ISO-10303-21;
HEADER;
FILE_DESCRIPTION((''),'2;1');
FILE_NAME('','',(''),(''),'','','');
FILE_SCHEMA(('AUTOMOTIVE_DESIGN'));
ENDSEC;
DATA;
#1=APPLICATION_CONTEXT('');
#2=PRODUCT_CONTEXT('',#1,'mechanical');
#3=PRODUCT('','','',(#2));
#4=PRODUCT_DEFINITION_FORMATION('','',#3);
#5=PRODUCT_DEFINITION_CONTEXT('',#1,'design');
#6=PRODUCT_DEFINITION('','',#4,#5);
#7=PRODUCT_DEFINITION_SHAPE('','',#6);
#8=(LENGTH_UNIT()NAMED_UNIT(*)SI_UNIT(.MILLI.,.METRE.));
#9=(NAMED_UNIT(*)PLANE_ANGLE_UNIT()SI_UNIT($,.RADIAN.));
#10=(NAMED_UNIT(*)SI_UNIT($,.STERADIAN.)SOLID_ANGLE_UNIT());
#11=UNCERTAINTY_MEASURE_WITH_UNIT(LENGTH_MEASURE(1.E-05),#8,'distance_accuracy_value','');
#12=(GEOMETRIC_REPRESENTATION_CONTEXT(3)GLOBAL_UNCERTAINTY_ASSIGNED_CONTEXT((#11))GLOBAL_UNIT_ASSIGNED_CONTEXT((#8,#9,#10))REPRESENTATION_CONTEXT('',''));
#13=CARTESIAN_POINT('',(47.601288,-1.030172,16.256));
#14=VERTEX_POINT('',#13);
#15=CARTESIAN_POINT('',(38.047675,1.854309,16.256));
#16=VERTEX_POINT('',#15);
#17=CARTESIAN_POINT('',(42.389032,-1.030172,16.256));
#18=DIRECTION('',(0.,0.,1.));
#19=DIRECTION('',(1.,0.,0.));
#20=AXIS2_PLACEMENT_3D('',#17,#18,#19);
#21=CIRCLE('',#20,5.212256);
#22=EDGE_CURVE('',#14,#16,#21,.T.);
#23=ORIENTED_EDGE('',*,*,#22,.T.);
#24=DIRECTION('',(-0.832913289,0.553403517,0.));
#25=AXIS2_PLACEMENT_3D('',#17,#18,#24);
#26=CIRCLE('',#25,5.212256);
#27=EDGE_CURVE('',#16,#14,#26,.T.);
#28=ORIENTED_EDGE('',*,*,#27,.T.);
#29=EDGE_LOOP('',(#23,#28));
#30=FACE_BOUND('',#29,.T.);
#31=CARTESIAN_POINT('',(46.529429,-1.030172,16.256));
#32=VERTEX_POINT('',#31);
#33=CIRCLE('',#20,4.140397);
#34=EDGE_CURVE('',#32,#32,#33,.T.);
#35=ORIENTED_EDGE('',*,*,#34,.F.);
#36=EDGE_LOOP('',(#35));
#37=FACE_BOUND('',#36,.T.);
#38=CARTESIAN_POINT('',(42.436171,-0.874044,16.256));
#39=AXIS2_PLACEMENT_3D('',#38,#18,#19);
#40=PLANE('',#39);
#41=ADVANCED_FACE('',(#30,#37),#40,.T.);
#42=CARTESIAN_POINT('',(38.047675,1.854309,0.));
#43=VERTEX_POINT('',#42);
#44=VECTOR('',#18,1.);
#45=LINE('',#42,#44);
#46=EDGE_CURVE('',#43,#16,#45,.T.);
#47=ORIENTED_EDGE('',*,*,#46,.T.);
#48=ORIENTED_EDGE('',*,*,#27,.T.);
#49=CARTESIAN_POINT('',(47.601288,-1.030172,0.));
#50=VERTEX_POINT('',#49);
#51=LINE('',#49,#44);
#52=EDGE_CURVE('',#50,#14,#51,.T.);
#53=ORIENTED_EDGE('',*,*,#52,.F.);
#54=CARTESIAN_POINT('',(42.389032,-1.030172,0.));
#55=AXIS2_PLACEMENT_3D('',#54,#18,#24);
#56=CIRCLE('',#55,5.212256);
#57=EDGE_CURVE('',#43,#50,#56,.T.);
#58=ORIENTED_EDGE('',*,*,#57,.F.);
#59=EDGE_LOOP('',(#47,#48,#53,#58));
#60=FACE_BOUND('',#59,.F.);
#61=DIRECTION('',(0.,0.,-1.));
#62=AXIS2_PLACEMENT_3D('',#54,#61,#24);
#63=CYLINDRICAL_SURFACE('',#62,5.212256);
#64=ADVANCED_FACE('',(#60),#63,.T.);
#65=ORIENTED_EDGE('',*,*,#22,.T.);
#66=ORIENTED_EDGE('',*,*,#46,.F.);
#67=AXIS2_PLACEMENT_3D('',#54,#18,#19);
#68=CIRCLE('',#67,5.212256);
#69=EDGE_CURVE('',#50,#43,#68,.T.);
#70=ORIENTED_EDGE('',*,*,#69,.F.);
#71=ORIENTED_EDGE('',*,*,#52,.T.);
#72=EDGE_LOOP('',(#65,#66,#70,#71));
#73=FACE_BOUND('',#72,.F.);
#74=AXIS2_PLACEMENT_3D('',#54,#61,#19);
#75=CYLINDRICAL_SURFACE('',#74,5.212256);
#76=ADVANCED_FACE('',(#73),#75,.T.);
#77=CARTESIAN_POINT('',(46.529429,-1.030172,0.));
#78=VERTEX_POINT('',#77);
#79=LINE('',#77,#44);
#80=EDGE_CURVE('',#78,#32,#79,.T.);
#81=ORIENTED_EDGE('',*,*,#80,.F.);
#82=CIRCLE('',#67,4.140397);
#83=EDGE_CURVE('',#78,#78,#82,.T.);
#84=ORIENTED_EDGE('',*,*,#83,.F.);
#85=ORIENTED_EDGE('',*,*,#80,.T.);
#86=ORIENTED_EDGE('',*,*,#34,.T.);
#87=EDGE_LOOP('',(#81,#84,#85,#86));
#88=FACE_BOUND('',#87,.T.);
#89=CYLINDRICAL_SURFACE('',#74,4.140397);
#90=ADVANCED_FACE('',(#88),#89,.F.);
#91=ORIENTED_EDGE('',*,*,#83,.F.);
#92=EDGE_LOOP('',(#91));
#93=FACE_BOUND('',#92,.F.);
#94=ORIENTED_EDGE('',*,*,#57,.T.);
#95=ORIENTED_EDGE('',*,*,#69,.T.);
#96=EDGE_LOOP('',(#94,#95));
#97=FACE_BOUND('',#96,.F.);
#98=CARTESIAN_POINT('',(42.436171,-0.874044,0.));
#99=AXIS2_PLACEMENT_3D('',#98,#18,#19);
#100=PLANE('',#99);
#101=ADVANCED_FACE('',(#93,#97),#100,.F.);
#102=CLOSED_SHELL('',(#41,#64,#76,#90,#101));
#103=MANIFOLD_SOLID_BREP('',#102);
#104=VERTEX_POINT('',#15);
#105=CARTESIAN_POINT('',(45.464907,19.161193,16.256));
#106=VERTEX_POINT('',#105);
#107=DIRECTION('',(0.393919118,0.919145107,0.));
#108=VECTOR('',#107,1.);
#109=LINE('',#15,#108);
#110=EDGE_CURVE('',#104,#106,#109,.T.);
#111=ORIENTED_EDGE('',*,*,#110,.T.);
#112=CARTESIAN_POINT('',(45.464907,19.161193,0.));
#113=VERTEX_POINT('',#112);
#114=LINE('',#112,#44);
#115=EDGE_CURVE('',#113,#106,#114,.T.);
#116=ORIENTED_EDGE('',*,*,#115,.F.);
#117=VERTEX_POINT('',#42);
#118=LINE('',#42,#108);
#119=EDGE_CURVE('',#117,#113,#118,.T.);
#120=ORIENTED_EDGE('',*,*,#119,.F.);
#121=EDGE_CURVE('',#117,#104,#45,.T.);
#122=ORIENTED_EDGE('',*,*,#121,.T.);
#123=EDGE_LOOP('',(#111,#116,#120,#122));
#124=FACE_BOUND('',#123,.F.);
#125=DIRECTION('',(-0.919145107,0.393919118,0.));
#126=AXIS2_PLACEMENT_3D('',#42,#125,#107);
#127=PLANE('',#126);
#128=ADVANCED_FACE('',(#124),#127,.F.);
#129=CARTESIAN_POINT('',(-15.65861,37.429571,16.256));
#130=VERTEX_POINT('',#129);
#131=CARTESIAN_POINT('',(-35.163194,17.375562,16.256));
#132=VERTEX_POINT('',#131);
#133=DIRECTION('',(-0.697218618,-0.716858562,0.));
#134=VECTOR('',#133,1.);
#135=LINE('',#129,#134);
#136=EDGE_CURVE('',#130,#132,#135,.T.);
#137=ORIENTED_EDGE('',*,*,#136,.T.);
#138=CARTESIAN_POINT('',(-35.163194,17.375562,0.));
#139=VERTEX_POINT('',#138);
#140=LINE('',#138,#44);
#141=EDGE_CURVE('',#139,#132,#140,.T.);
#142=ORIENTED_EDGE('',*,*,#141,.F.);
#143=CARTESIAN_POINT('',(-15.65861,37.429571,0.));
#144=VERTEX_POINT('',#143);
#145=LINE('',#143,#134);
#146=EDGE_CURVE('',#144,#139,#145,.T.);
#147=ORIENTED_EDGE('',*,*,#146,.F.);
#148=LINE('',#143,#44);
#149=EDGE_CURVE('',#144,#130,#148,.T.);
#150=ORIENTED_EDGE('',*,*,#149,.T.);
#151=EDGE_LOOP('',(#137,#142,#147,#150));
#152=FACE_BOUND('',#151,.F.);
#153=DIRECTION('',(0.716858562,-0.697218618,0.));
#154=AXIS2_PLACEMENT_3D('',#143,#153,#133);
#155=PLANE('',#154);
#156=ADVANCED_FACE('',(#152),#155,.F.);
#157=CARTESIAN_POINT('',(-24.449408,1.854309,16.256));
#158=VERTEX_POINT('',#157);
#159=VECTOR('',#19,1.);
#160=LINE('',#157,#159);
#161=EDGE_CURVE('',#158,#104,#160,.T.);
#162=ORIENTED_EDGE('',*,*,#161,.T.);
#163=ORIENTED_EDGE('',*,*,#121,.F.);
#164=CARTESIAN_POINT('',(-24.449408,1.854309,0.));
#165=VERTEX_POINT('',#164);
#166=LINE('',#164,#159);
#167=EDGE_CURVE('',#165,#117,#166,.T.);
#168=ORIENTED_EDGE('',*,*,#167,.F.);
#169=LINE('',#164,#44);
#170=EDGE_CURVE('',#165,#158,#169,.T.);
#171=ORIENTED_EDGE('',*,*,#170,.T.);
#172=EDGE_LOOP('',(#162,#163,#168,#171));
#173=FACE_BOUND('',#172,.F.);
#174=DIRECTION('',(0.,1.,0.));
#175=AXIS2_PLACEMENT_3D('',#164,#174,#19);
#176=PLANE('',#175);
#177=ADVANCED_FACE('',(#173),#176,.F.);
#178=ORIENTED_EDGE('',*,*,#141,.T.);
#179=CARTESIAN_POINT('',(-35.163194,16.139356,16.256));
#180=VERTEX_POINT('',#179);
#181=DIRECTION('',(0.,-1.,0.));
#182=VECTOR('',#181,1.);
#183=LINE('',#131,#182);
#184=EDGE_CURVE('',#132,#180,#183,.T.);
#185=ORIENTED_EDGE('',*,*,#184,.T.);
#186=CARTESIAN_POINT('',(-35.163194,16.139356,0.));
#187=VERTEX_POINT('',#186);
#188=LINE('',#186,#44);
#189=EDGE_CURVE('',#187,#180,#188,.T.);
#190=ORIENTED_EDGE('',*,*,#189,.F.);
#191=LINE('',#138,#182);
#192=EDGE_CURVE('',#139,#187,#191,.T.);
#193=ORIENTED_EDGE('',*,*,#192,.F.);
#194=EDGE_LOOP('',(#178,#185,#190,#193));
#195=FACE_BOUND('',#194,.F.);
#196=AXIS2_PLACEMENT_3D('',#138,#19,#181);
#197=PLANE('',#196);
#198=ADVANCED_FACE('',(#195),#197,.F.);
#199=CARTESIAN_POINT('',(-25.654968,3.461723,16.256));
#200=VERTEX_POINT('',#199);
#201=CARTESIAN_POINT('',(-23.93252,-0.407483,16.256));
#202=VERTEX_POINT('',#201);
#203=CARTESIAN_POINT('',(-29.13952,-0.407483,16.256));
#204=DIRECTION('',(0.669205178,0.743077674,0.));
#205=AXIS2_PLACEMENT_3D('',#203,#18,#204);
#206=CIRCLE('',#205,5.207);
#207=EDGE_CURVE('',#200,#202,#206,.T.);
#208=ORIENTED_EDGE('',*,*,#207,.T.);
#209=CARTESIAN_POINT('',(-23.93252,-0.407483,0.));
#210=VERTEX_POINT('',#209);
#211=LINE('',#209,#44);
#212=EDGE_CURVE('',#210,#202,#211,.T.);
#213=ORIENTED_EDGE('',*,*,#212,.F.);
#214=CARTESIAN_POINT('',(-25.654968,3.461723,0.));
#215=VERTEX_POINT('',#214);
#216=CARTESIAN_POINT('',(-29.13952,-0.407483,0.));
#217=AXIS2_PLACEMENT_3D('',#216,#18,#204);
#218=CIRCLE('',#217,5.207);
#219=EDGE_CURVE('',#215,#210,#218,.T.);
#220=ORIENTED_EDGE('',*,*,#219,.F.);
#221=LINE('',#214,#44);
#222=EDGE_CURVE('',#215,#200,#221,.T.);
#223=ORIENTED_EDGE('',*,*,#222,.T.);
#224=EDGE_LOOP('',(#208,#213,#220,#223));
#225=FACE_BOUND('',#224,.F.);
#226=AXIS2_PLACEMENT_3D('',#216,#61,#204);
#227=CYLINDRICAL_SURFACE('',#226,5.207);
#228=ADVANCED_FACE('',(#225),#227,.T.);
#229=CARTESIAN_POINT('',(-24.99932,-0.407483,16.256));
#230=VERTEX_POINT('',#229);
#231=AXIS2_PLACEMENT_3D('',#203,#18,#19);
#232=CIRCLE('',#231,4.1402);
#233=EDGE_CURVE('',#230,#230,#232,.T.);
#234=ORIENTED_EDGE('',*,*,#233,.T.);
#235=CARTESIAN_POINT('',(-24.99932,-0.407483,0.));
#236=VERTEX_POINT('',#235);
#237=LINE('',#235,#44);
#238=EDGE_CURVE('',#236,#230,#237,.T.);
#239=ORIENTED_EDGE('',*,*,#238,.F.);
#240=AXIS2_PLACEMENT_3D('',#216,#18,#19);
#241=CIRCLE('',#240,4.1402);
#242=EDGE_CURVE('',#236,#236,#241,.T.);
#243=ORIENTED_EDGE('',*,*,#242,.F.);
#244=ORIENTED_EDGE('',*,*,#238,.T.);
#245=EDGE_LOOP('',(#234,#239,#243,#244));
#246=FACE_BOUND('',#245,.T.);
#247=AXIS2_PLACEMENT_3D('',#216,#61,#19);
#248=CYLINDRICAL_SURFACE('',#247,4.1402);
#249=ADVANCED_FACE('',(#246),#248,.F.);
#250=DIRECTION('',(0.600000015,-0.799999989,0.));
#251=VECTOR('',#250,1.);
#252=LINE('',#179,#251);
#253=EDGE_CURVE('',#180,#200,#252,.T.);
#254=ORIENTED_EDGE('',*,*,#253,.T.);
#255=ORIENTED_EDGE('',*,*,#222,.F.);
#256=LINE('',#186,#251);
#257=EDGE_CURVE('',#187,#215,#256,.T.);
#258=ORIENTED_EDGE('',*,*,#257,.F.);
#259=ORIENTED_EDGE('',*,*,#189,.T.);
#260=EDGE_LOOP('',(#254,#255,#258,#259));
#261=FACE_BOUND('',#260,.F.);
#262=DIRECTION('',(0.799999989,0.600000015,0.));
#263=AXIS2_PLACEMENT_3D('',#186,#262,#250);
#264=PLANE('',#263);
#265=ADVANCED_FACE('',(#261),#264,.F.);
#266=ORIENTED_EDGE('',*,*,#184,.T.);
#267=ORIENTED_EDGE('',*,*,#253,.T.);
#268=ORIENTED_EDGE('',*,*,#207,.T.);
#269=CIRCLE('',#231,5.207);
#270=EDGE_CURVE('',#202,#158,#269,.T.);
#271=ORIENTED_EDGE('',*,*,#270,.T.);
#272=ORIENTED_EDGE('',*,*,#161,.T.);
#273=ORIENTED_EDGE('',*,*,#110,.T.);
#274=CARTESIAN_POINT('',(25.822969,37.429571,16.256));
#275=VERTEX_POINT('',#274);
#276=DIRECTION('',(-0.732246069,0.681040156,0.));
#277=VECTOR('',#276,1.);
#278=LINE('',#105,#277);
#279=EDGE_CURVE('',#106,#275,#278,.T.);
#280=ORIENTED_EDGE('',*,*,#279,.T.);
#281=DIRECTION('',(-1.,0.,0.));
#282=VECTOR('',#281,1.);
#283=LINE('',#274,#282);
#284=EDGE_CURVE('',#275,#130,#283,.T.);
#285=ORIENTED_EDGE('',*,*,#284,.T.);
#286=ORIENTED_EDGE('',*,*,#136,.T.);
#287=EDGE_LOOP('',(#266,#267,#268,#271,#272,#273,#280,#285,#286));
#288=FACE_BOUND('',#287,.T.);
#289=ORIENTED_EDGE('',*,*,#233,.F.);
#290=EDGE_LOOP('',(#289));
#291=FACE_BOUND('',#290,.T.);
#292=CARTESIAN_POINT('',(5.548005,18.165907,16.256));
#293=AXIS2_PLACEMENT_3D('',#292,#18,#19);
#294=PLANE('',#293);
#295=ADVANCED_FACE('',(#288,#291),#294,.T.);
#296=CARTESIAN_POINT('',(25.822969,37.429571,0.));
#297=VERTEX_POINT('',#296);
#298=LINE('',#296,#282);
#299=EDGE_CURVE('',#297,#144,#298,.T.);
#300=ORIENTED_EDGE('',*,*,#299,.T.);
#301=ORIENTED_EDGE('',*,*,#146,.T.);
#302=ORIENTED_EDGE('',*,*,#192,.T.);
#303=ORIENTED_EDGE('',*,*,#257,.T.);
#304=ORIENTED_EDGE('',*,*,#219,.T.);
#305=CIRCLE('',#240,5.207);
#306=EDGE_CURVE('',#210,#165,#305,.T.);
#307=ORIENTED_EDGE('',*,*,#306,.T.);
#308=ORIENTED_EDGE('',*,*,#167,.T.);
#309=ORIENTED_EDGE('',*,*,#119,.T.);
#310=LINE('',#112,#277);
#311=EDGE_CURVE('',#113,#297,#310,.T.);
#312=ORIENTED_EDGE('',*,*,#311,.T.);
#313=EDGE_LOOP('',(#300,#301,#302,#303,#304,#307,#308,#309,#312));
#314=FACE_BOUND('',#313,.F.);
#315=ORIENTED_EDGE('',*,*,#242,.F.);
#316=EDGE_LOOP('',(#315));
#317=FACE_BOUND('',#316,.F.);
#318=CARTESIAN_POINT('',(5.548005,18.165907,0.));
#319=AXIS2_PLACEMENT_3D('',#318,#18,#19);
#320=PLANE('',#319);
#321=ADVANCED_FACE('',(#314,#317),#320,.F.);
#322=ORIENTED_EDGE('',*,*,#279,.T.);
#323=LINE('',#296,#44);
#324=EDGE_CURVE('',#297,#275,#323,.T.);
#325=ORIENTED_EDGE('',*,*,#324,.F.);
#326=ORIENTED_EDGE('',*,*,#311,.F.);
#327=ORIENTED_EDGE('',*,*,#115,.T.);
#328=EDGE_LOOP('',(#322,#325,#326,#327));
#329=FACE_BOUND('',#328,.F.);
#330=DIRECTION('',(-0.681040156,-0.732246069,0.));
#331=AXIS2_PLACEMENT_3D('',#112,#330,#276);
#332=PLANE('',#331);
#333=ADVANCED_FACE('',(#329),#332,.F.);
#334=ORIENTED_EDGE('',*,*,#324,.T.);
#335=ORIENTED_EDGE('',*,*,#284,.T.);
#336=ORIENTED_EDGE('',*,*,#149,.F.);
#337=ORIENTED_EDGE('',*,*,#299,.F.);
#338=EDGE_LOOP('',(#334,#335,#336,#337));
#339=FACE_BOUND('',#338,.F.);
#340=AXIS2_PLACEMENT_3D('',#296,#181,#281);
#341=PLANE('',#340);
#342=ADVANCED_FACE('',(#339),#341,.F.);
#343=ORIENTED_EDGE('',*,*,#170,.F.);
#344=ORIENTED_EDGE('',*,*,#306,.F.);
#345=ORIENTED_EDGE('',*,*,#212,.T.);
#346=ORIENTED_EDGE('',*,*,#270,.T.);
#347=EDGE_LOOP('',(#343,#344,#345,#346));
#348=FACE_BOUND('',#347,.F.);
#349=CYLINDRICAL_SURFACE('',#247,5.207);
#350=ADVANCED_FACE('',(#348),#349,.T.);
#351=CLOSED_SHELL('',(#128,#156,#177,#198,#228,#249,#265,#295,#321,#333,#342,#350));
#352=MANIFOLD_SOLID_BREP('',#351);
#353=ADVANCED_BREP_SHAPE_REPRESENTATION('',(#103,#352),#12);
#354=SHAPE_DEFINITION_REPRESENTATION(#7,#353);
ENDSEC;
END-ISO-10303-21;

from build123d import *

# Parameters (mm, degrees)
F0_R     = 4.1403965239
F1_DEPTH = 16.256
F0_R_2   = 4.1402


with BuildPart() as f1:
    # F0 (on Top) → F1 (new body)
    with BuildSketch(Plane.XY):
        with BuildLine():
            ThreePointArc((47.6012881676, -1.0301716393), (43.8955757975, 3.9596117463), (38.0476750433, 1.8543091137))
            ThreePointArc((38.0476750433, 1.8543091137), (40.8824887172, -6.0199550249), (47.6012881676, -1.0301716393))
        make_face()
        with Locations((42.3890322573, -1.0301716393)):
            Circle(F0_R, mode=Mode.SUBTRACT)
    extrude(amount=F1_DEPTH)


with BuildPart() as f1b:
    # F0 (on Top) → F1, piece 2 (new body)
    with BuildSketch(Plane.XY):
        with BuildLine():
            Line((-15.6586095691, 37.4295711517), (-35.1631939411, 17.37556234))
            Line((-35.1631939411, 17.37556234), (-35.1631939411, 16.1393564194))
            Line((-35.1631939411, 16.1393564194), (-25.6549682231, 3.4617226109))
            ThreePointArc((-25.6549682231, 3.4617226109), (-24.9739196415, 2.7167172375), (-24.4494080544, 1.8543091137))
            Line((-24.4494080544, 1.8543091137), (38.0476750433, 1.8543091137))
            Line((38.0476750433, 1.8543091137), (45.4649068415, 19.1611927003))
            Line((45.4649068415, 19.1611927003), (25.8229691535, 37.4295711517))
            Line((25.8229691535, 37.4295711517), (-15.6586095691, 37.4295711517))
        make_face()
        with BuildLine():
            ThreePointArc((-24.4494080544, 1.8543091137), (-24.9739196415, 2.7167172375), (-25.6549682231, 3.4617226109))
            Line((-25.6549682231, 3.4617226109), (-24.4494080544, 1.8543091137))
        make_face()
        with BuildLine():
            Line((-24.4494080544, 1.8543091137), (-25.6549682231, 3.4617226109))
            ThreePointArc((-25.6549682231, 3.4617226109), (-33.8964570414, -2.5251218613), (-23.9325195844, -0.4074828386))
            ThreePointArc((-23.9325195844, -0.4074828386), (-24.0633862264, 0.75256851), (-24.4494080544, 1.8543091137))
        make_face()
        with Locations((-29.1395195844, -0.4074828386)):
            Circle(F0_R_2, mode=Mode.SUBTRACT)
    extrude(amount=F1_DEPTH)


solid = Compound([f1.part, f1b.part])
